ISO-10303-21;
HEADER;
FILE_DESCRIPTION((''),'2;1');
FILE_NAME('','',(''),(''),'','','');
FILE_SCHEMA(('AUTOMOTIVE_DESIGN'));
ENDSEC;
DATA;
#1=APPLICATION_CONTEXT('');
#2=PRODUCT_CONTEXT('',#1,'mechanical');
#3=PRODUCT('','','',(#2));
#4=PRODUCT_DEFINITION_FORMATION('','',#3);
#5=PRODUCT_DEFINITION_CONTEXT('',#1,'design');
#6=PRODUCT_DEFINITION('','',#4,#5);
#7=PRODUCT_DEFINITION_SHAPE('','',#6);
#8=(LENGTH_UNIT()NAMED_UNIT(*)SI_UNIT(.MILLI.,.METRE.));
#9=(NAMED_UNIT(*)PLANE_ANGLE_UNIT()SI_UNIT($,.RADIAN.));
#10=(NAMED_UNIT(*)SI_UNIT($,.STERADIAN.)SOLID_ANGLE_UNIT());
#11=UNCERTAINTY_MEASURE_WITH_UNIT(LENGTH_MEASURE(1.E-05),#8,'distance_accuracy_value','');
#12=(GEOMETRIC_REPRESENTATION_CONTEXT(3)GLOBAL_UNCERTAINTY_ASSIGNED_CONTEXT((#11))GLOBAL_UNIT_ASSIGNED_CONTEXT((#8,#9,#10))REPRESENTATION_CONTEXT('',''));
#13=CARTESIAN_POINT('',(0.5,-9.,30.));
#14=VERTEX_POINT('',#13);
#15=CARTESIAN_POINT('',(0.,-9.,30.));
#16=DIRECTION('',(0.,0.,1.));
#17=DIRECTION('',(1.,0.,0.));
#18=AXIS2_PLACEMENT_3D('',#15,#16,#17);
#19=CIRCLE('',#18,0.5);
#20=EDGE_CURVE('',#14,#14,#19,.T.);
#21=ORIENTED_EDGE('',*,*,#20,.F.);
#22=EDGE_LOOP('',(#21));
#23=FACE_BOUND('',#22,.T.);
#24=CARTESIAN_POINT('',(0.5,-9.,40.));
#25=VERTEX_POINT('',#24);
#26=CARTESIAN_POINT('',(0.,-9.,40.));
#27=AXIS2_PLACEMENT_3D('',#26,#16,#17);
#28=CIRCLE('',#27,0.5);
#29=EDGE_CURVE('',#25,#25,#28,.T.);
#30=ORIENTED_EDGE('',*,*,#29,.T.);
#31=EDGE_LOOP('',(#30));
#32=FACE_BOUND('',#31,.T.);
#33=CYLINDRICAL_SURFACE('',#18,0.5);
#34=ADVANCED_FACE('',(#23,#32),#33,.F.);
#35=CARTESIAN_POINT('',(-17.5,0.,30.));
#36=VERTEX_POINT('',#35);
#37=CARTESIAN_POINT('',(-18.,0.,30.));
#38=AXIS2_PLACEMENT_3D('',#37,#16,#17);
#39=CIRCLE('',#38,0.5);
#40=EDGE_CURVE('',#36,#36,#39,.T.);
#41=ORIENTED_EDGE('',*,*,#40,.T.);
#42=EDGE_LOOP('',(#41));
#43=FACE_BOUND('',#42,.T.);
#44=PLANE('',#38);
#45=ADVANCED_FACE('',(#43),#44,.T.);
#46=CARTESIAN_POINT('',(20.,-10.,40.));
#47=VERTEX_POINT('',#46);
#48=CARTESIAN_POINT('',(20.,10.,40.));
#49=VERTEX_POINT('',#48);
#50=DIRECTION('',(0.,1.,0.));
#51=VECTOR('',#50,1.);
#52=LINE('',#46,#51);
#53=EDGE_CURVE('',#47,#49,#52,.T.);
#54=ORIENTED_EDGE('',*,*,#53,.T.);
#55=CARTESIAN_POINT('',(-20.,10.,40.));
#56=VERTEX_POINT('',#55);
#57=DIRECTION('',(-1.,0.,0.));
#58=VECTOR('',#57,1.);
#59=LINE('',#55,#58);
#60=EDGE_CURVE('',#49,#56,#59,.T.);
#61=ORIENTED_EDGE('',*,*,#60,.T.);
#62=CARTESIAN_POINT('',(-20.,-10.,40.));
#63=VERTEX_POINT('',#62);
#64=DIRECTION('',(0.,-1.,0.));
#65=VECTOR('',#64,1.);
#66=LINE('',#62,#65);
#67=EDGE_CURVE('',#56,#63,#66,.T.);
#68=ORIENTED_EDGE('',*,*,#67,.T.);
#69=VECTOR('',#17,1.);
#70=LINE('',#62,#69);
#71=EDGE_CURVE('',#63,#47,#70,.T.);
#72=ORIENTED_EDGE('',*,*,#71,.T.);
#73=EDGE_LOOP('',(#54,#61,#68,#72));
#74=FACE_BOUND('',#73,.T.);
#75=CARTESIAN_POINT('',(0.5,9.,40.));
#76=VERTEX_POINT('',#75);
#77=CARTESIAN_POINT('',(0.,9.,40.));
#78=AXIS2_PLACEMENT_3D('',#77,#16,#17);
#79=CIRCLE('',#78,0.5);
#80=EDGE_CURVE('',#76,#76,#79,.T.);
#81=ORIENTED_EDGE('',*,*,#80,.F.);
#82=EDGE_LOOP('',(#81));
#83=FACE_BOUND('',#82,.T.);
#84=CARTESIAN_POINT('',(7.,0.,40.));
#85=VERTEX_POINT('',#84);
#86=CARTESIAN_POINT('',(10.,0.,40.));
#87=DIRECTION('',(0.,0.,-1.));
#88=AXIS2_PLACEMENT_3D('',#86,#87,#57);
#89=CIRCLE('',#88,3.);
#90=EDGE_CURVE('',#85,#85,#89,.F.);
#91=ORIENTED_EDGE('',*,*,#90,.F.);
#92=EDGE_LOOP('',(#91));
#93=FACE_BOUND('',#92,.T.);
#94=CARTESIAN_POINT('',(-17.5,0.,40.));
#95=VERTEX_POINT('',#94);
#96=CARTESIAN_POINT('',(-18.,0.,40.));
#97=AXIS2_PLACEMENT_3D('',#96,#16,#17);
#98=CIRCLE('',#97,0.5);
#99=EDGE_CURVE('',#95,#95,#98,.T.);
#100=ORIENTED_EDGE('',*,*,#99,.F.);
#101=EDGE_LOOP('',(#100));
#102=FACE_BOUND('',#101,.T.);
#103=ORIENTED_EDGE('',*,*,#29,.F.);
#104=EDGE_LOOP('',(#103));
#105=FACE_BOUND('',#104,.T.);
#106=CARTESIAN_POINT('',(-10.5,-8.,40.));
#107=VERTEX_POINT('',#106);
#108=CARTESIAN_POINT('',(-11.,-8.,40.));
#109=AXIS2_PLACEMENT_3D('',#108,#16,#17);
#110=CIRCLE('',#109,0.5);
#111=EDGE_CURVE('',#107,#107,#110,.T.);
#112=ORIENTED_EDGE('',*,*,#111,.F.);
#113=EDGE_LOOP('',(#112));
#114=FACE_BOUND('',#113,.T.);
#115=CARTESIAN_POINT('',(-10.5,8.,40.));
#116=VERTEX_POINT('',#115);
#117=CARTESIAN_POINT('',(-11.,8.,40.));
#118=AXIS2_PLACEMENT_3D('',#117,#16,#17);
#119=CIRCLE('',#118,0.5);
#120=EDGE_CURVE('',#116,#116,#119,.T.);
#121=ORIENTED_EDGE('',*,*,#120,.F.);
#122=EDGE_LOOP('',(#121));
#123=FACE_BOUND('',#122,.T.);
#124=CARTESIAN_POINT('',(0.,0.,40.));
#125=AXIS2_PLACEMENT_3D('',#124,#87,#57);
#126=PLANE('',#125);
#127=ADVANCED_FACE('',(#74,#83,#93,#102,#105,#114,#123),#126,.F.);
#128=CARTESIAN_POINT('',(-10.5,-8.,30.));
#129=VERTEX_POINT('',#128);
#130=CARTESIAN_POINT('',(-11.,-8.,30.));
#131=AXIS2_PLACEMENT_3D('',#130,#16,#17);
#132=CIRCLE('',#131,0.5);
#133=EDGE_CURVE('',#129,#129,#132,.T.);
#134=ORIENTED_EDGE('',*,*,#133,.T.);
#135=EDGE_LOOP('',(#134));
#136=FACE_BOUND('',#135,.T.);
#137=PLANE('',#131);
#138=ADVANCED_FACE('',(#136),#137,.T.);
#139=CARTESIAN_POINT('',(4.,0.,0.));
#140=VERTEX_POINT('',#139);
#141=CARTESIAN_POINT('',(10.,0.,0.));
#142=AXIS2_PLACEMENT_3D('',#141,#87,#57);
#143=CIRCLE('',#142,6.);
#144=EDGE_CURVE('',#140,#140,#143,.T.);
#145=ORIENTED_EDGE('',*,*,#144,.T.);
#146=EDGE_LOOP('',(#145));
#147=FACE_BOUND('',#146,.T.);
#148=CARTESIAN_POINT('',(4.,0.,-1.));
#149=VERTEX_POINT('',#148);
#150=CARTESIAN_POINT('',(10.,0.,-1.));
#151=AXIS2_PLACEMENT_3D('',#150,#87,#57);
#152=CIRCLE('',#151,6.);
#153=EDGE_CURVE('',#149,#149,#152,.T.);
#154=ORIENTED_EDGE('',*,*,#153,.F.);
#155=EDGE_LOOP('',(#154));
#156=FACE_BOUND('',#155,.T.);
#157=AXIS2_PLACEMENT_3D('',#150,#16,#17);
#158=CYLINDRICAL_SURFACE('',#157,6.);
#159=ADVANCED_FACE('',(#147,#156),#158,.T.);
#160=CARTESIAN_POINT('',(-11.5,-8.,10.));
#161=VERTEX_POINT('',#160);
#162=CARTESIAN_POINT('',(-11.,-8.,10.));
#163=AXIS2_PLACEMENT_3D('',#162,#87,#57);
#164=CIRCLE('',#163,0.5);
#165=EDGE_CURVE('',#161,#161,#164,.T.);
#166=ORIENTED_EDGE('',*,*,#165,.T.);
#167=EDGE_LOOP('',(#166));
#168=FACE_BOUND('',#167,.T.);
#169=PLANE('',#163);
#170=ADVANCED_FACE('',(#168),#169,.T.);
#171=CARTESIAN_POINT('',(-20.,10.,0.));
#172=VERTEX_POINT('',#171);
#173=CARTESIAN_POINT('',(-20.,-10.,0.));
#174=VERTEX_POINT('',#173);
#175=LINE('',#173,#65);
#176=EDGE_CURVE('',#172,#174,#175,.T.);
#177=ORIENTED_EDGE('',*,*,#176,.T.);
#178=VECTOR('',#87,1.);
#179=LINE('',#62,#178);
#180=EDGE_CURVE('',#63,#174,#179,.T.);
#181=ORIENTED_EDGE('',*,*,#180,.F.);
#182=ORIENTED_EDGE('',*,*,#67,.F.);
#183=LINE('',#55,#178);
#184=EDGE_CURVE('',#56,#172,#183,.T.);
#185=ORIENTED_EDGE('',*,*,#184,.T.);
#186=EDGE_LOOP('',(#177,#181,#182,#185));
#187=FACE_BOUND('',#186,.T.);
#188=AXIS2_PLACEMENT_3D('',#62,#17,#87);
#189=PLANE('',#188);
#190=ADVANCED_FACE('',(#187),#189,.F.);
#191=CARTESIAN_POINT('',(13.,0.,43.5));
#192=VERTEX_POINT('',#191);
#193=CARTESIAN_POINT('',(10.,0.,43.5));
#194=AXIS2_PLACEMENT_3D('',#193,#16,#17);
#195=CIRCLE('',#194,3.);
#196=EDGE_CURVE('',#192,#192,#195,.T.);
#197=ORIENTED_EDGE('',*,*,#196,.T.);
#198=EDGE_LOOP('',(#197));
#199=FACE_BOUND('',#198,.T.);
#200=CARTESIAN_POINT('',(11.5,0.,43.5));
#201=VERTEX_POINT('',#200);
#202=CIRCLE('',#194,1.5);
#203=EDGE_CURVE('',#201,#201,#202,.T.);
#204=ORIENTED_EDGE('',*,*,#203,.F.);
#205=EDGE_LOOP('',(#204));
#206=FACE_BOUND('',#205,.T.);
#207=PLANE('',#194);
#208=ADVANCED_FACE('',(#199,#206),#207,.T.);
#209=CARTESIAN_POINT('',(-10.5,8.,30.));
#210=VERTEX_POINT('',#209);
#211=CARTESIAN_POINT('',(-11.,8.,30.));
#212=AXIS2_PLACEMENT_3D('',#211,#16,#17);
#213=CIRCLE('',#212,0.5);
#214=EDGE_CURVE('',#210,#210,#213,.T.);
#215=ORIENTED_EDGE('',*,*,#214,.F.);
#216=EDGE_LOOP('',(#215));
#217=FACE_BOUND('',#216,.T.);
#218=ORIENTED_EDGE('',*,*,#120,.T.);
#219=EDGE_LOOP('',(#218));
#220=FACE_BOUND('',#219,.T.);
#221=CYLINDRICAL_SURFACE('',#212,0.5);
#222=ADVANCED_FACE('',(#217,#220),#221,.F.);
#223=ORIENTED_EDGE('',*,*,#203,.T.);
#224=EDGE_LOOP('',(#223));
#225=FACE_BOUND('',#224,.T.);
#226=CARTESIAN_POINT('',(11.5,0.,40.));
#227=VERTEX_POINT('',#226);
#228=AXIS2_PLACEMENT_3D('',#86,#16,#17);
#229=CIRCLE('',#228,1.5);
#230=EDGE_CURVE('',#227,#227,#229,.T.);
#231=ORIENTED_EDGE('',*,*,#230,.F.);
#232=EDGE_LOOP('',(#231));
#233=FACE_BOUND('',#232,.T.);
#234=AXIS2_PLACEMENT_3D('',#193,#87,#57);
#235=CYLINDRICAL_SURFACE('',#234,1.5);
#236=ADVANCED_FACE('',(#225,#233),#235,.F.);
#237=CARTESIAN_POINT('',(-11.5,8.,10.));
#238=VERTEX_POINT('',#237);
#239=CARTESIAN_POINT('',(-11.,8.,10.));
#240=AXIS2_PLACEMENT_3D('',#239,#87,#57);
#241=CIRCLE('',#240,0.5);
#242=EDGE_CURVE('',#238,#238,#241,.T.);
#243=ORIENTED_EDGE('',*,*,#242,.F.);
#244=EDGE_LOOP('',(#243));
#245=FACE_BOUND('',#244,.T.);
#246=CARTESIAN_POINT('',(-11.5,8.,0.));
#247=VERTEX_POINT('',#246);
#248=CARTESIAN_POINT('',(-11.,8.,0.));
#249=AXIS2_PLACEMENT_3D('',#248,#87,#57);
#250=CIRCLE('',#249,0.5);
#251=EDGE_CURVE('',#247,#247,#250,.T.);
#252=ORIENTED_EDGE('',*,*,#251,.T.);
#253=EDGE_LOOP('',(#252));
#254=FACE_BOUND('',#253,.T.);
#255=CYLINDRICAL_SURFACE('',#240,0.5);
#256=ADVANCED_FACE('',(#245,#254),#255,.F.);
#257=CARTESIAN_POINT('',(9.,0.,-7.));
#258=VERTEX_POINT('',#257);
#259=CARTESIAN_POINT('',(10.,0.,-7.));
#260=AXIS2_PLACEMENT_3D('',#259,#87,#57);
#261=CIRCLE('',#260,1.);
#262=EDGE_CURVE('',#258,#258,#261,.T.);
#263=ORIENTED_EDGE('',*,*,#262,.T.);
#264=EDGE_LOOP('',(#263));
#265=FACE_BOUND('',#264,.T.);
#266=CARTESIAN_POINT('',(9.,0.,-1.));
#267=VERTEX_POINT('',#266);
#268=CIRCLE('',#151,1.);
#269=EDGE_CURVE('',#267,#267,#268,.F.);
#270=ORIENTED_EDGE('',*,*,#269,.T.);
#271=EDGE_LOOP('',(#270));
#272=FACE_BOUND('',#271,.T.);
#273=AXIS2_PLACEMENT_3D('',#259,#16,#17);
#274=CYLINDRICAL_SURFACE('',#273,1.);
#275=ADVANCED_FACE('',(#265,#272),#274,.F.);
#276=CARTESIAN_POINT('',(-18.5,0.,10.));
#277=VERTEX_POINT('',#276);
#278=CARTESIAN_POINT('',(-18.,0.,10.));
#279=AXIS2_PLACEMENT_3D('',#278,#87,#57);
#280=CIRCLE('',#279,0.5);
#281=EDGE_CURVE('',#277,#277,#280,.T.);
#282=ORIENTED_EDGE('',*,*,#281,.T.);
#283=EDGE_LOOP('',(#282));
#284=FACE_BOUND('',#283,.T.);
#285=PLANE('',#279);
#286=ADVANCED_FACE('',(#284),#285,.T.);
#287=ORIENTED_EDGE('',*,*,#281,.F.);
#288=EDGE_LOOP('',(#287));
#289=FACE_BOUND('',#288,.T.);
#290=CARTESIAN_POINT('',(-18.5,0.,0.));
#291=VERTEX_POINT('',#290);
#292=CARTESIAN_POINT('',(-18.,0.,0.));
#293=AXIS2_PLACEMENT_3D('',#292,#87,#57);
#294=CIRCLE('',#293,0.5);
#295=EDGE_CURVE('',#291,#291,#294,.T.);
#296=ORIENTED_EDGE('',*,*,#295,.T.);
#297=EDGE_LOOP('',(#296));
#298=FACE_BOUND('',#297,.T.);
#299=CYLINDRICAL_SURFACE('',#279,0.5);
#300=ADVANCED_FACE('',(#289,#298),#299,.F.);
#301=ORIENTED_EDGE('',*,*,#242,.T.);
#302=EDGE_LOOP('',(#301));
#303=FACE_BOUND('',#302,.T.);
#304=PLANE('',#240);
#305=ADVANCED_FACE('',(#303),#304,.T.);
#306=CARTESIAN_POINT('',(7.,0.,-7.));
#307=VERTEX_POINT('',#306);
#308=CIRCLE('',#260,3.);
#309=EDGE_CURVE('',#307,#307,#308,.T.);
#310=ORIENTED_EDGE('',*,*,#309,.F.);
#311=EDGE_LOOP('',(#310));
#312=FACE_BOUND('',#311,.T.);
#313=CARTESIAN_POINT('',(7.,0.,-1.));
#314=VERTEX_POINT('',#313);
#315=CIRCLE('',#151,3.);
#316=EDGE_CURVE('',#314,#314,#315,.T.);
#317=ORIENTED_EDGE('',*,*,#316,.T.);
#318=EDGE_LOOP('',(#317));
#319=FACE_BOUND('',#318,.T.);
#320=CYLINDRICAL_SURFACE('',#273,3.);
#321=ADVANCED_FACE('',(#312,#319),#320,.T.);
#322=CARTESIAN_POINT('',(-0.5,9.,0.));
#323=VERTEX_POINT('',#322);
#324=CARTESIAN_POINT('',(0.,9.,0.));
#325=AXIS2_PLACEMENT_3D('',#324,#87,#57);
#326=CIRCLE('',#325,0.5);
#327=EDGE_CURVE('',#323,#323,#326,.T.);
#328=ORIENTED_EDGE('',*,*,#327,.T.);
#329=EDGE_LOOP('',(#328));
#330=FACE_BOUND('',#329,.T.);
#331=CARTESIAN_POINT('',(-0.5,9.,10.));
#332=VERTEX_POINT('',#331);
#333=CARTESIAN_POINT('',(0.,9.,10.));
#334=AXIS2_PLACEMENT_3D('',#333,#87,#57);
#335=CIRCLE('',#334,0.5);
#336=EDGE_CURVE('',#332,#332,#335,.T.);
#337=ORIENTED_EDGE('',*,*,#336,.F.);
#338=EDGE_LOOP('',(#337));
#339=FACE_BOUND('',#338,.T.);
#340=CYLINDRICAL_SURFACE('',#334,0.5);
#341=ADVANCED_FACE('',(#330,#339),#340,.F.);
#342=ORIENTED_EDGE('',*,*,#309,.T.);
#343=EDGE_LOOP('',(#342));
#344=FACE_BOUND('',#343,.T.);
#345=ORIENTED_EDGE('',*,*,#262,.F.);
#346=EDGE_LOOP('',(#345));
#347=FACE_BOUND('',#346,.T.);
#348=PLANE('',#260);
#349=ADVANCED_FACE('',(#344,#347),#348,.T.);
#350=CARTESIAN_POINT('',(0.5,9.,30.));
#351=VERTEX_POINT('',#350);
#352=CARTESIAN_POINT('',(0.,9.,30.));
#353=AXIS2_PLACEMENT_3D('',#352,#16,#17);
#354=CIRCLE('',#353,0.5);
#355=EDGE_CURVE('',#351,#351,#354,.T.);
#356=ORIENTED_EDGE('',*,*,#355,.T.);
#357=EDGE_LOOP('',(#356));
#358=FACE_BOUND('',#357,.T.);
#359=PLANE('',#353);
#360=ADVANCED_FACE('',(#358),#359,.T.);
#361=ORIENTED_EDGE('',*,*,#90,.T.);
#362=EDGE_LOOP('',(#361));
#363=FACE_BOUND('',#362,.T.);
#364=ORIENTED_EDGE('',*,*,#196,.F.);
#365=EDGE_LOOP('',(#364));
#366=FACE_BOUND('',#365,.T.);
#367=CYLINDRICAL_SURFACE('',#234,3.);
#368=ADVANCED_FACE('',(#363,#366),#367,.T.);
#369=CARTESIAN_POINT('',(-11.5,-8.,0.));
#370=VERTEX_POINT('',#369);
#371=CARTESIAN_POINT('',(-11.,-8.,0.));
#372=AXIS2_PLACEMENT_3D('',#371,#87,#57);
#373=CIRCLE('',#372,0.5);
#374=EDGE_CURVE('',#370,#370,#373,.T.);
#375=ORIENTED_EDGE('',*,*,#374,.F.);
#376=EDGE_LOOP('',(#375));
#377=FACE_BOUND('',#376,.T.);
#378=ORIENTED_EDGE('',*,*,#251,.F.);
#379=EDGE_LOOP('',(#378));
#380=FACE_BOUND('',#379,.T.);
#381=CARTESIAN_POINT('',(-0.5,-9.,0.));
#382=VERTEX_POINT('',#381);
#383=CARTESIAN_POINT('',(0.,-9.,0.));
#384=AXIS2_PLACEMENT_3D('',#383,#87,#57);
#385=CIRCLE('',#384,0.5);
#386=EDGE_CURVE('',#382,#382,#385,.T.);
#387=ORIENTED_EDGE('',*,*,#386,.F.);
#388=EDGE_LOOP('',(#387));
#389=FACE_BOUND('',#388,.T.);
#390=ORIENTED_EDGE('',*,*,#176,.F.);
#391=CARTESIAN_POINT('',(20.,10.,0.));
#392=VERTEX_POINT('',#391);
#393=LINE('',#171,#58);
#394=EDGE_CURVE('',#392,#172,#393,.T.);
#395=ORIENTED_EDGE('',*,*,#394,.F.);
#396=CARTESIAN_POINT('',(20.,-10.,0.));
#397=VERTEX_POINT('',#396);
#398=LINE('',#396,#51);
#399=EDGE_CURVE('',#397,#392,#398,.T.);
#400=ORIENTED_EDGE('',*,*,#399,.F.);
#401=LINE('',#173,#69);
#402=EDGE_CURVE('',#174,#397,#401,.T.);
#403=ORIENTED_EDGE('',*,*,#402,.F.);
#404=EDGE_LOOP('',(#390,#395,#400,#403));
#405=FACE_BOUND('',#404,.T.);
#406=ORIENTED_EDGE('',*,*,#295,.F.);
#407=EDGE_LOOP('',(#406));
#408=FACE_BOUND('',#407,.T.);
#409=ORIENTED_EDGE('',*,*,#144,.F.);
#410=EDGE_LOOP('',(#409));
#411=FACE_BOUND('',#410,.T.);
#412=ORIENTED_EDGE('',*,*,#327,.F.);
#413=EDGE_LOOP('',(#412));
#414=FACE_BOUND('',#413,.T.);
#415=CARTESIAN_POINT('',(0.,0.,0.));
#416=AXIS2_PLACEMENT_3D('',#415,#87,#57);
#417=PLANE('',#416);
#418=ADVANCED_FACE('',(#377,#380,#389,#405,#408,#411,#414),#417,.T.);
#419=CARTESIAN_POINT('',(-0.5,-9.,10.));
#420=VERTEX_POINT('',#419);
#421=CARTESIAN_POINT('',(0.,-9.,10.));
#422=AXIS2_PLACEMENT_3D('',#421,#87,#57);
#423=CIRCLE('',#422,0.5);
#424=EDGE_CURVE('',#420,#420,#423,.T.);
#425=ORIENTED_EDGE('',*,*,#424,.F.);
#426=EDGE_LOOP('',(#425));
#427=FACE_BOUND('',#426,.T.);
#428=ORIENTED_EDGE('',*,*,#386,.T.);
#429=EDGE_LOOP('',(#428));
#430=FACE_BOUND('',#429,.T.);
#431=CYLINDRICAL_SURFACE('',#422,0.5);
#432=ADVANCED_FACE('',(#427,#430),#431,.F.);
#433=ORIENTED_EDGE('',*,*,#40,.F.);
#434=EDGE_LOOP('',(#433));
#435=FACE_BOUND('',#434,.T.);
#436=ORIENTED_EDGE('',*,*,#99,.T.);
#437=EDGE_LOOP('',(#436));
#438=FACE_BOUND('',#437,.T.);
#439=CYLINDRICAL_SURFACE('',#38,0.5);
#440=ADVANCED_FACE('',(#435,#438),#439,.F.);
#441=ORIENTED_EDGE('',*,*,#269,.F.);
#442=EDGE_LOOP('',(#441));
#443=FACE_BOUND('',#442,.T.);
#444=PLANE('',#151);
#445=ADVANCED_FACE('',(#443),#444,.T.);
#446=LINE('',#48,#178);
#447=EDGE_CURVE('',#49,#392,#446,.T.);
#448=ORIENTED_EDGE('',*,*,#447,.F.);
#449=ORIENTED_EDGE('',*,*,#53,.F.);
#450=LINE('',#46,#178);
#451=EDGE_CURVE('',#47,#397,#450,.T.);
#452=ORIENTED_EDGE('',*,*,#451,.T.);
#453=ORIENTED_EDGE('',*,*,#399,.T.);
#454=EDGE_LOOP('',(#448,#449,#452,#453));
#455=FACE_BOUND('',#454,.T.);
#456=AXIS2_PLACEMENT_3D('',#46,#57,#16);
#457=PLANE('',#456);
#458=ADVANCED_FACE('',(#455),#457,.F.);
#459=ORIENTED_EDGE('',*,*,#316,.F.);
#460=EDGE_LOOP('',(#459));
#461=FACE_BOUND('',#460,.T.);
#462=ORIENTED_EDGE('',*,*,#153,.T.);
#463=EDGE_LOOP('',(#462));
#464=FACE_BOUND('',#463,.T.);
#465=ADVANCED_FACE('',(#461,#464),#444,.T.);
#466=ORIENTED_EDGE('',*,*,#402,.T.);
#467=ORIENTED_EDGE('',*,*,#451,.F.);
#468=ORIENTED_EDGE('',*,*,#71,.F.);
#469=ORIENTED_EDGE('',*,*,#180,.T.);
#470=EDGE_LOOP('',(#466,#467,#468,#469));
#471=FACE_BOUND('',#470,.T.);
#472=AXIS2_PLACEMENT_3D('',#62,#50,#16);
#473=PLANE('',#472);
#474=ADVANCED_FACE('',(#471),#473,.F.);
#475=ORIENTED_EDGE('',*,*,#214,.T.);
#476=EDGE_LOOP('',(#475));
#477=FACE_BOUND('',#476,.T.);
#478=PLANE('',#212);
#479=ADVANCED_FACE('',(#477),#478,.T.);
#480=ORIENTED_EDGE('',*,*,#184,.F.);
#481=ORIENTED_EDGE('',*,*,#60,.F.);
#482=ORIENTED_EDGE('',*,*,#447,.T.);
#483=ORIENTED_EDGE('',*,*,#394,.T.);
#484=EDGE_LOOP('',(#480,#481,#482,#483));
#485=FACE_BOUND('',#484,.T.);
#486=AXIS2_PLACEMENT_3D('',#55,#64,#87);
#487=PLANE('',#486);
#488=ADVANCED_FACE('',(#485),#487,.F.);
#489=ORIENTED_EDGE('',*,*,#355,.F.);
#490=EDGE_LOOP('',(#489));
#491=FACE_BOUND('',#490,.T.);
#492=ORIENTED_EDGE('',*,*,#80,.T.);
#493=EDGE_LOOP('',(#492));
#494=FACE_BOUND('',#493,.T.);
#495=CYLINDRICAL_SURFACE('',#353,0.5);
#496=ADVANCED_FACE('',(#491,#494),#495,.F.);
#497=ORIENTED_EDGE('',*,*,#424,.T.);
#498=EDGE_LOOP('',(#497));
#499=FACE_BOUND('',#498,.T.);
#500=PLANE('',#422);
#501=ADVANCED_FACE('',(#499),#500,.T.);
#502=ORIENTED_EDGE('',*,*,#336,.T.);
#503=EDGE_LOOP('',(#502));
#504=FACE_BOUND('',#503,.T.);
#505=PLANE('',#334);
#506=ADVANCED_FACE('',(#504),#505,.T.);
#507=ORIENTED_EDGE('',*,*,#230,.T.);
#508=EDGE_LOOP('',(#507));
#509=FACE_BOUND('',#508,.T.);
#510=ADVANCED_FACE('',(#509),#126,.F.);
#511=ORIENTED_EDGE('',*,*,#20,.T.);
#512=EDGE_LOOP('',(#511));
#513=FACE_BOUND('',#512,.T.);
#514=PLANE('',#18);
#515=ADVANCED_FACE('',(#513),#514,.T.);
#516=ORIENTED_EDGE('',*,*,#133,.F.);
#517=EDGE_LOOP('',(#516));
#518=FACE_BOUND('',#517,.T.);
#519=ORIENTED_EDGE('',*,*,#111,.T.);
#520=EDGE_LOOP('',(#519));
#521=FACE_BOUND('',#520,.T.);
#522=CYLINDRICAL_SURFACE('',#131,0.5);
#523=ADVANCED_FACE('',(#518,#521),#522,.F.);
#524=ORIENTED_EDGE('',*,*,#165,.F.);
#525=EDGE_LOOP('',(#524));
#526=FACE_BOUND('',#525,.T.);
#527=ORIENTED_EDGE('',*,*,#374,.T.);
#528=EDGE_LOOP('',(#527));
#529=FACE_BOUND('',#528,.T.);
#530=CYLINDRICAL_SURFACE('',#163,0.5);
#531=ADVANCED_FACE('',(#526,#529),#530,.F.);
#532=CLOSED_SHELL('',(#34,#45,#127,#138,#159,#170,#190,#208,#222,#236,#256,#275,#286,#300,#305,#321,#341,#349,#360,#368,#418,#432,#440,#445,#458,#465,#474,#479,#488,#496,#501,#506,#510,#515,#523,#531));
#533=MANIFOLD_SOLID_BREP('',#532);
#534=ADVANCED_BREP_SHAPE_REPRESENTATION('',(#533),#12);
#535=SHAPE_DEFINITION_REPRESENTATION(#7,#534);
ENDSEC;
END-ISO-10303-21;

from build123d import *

# Parameters (mm, degrees)
SKETCH_1_W          = 40
SKETCH_1_H          = 20
EXTRUDE_1_DEPTH     = 40
SKETCH_2_R          = 3
SKETCH_2_R_2        = 1.5
EXTRUDE_2_DEPTH     = 3.5
SKETCH_3_R          = 6
EXTRUDE_3_DEPTH     = 1
EXTRUDE_START       = 6
SKETCH_4_R          = 3
SKETCH_4_R_2        = 1
EXTRUDE_4_DEPTH     = 6
SKETCH_5_R          = 0.5
CUT_EXTRUDE_1_DEPTH = 10
CUT_EXTRUDE_START   = -10
SKETCH_6_R          = 0.5
CUT_EXTRUDE_2_DEPTH = 10


with BuildPart() as part:
    # 草图1 → 凸台-拉伸1 (new body)
    with BuildSketch(Plane.XY):
        Rectangle(SKETCH_1_W, SKETCH_1_H)
    extrude(amount=EXTRUDE_1_DEPTH)

    # 草图2 → 凸台-拉伸2 (add)
    with BuildSketch(Plane.XY.offset(40)):
        with Locations(Location((10, 0, 0), (0, 0, 180))):
            Circle(SKETCH_2_R)
        with Locations((10, 0)):
            Circle(SKETCH_2_R_2, mode=Mode.SUBTRACT)
    extrude(amount=EXTRUDE_2_DEPTH)

    # 草图3 → 凸台-拉伸3 (add)
    with BuildSketch(Plane(origin=(0, 0, 0), x_dir=(-1, 0, 0), z_dir=(0, 0, -1))):
        with Locations((-10, 0)):
            Circle(SKETCH_3_R)
    extrude(amount=EXTRUDE_3_DEPTH)

    # 草图4 → 凸台-拉伸4 (add)
    with BuildSketch(Plane(origin=(0, 0, -1), x_dir=(-1, 0, 0), z_dir=(0, 0, -1)).offset(EXTRUDE_START)):
        with Locations((-10, 0)):
            Circle(SKETCH_4_R)
        with Locations((-10, 0)):
            Circle(SKETCH_4_R_2, mode=Mode.SUBTRACT)
    extrude(amount=-EXTRUDE_4_DEPTH)

    # 草图5 → 切除-拉伸1 (cut)
    with BuildSketch(Plane.XY.offset(40)):
        with Locations((-18, 0)):
            Circle(SKETCH_5_R)
        with Locations((-11, 8)):
            Circle(SKETCH_5_R)
        with Locations((0, 9)):
            Circle(SKETCH_5_R)
        with Locations((-11, -8)):
            Circle(SKETCH_5_R)
        with Locations((0, -9)):
            Circle(SKETCH_5_R)
    extrude(amount=-CUT_EXTRUDE_1_DEPTH, mode=Mode.SUBTRACT)

    # 草图6 → 切除-拉伸2 (cut)
    with BuildSketch(Plane(origin=(0, 0, 0), x_dir=(-1, 0, 0), z_dir=(0, 0, -1)).offset(CUT_EXTRUDE_START)):
        with Locations(Location((18, 0, 0), (0, 0, 180))):
            Circle(SKETCH_6_R)
        with Locations(Location((11, -8, 0), (0, 0, 180))):
            Circle(SKETCH_6_R)
        with Locations(Location((0, -9, 0), (0, 0, 180))):
            Circle(SKETCH_6_R)
        with Locations(Location((11, 8, 0), (0, 0, 180))):
            Circle(SKETCH_6_R)
        with Locations(Location((0, 9, 0), (0, 0, 180))):
            Circle(SKETCH_6_R)
    extrude(amount=CUT_EXTRUDE_2_DEPTH, mode=Mode.SUBTRACT)


solid = part.part
